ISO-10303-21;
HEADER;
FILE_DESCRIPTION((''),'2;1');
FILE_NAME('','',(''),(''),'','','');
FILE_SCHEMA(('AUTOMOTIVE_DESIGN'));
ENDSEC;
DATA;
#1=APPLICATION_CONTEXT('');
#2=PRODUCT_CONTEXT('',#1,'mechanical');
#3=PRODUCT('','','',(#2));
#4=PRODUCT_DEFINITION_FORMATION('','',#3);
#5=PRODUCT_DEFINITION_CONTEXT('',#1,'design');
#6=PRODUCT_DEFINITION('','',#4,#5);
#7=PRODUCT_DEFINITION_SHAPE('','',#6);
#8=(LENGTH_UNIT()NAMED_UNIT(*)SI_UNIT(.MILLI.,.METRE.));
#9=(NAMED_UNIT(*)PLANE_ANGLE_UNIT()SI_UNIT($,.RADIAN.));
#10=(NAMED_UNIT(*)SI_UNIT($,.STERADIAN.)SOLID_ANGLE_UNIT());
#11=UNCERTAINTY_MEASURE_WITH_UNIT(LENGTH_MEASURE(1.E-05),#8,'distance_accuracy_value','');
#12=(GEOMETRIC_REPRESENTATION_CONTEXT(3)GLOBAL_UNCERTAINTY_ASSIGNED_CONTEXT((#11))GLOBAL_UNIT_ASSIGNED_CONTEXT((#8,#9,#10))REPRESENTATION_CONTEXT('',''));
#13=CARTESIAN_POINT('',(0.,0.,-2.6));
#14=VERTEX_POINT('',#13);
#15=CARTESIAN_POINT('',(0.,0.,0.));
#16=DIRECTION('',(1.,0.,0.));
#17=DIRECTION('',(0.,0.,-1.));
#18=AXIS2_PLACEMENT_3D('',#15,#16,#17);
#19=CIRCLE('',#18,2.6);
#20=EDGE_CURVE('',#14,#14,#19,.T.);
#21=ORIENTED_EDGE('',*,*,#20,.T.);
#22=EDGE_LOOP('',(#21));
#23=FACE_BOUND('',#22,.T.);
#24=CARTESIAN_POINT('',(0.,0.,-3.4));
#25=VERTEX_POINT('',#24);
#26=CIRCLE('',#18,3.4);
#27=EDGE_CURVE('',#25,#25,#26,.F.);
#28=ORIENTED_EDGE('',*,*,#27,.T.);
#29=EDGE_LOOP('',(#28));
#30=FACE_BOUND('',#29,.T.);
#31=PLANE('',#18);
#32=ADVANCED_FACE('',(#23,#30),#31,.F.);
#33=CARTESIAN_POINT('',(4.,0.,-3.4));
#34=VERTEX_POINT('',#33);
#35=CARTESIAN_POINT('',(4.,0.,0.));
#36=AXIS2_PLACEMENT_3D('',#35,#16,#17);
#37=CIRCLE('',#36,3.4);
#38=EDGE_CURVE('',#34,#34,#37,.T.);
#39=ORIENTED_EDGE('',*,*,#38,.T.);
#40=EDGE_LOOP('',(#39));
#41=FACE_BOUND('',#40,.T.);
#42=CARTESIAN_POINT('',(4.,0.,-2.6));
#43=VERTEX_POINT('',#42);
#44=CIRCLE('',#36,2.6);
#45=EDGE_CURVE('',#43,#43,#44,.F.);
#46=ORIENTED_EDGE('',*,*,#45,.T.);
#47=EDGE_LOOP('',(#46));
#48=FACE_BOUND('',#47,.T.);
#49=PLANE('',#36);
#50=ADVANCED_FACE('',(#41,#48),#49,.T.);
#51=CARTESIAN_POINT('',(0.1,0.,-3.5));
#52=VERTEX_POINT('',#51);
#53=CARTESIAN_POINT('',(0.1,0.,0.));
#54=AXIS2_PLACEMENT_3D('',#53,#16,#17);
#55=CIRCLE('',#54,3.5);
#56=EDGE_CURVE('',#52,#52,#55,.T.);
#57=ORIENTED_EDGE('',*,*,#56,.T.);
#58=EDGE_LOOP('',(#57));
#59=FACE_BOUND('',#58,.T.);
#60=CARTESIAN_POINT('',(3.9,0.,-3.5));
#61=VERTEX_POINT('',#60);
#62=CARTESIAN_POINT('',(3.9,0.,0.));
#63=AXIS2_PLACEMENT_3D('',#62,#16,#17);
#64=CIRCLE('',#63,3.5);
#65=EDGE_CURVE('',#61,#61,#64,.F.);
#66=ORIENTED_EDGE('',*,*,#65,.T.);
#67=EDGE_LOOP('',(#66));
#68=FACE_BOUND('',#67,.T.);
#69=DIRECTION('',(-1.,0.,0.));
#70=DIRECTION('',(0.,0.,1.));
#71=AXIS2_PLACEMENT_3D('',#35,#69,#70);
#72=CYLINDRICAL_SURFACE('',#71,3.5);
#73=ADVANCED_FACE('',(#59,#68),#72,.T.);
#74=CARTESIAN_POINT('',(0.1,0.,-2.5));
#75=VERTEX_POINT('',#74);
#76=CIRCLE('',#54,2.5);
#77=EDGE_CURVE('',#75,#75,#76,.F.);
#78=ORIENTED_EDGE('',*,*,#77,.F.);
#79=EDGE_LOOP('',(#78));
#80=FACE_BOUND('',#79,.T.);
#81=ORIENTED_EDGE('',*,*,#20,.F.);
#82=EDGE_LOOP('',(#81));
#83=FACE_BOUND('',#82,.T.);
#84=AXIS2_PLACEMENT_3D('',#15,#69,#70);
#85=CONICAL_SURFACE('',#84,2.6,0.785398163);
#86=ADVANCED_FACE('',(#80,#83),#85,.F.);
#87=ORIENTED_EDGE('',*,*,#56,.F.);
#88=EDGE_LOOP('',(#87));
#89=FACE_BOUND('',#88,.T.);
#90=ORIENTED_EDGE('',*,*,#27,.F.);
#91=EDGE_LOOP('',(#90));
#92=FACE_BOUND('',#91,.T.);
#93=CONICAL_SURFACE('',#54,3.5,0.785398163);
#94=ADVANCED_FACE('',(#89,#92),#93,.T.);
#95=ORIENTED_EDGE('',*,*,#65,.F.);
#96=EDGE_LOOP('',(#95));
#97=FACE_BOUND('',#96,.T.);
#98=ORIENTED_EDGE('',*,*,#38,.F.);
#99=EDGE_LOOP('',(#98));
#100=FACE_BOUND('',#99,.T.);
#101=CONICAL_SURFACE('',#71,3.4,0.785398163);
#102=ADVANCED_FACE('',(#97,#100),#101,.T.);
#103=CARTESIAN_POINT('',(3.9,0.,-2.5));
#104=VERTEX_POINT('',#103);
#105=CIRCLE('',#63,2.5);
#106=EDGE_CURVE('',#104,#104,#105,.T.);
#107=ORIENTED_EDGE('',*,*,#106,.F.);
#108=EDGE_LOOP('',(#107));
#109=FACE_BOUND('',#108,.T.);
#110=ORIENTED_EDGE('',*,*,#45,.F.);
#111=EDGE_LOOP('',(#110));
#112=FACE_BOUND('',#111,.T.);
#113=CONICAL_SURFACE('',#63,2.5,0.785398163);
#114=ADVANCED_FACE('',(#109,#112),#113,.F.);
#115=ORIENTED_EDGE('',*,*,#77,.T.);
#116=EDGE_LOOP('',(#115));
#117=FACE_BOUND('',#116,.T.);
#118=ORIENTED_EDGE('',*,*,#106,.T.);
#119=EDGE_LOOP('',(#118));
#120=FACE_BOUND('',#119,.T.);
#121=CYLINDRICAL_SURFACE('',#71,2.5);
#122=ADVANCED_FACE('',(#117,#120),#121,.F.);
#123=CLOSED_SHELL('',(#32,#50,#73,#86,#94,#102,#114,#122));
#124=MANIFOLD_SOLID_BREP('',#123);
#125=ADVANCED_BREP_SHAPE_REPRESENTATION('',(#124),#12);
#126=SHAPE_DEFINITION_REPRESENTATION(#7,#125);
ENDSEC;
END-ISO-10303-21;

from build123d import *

# Parameters (mm, degrees)
SKETCH_1_R      = 3.5
SKETCH_1_R_2    = 2.5
EXTRUDE_1_DEPTH = 4
CHAMFER_1_SIZE  = 0.1


with BuildPart() as part:
    # 草图1 → 凸台-拉伸1 (new body)
    with BuildSketch(Plane.YZ):
        with Locations(Location((0, 0, 0), (0, 0, 270))):
            Circle(SKETCH_1_R)
        with Locations(Location((0, 0, 0), (0, 0, 270))):
            Circle(SKETCH_1_R_2, mode=Mode.SUBTRACT)
    extrude(amount=EXTRUDE_1_DEPTH)

    # 倒角1
    chamfer_1_edges = [part.edges().sort_by_distance(p)[0] for p in [
        (0, 0, 3.5),
        (4, 0, 3.5),
        (0, 0, 2.5),
        (4, 0, 2.5),
    ]]
    chamfer(chamfer_1_edges, length=CHAMFER_1_SIZE)


solid = part.part
